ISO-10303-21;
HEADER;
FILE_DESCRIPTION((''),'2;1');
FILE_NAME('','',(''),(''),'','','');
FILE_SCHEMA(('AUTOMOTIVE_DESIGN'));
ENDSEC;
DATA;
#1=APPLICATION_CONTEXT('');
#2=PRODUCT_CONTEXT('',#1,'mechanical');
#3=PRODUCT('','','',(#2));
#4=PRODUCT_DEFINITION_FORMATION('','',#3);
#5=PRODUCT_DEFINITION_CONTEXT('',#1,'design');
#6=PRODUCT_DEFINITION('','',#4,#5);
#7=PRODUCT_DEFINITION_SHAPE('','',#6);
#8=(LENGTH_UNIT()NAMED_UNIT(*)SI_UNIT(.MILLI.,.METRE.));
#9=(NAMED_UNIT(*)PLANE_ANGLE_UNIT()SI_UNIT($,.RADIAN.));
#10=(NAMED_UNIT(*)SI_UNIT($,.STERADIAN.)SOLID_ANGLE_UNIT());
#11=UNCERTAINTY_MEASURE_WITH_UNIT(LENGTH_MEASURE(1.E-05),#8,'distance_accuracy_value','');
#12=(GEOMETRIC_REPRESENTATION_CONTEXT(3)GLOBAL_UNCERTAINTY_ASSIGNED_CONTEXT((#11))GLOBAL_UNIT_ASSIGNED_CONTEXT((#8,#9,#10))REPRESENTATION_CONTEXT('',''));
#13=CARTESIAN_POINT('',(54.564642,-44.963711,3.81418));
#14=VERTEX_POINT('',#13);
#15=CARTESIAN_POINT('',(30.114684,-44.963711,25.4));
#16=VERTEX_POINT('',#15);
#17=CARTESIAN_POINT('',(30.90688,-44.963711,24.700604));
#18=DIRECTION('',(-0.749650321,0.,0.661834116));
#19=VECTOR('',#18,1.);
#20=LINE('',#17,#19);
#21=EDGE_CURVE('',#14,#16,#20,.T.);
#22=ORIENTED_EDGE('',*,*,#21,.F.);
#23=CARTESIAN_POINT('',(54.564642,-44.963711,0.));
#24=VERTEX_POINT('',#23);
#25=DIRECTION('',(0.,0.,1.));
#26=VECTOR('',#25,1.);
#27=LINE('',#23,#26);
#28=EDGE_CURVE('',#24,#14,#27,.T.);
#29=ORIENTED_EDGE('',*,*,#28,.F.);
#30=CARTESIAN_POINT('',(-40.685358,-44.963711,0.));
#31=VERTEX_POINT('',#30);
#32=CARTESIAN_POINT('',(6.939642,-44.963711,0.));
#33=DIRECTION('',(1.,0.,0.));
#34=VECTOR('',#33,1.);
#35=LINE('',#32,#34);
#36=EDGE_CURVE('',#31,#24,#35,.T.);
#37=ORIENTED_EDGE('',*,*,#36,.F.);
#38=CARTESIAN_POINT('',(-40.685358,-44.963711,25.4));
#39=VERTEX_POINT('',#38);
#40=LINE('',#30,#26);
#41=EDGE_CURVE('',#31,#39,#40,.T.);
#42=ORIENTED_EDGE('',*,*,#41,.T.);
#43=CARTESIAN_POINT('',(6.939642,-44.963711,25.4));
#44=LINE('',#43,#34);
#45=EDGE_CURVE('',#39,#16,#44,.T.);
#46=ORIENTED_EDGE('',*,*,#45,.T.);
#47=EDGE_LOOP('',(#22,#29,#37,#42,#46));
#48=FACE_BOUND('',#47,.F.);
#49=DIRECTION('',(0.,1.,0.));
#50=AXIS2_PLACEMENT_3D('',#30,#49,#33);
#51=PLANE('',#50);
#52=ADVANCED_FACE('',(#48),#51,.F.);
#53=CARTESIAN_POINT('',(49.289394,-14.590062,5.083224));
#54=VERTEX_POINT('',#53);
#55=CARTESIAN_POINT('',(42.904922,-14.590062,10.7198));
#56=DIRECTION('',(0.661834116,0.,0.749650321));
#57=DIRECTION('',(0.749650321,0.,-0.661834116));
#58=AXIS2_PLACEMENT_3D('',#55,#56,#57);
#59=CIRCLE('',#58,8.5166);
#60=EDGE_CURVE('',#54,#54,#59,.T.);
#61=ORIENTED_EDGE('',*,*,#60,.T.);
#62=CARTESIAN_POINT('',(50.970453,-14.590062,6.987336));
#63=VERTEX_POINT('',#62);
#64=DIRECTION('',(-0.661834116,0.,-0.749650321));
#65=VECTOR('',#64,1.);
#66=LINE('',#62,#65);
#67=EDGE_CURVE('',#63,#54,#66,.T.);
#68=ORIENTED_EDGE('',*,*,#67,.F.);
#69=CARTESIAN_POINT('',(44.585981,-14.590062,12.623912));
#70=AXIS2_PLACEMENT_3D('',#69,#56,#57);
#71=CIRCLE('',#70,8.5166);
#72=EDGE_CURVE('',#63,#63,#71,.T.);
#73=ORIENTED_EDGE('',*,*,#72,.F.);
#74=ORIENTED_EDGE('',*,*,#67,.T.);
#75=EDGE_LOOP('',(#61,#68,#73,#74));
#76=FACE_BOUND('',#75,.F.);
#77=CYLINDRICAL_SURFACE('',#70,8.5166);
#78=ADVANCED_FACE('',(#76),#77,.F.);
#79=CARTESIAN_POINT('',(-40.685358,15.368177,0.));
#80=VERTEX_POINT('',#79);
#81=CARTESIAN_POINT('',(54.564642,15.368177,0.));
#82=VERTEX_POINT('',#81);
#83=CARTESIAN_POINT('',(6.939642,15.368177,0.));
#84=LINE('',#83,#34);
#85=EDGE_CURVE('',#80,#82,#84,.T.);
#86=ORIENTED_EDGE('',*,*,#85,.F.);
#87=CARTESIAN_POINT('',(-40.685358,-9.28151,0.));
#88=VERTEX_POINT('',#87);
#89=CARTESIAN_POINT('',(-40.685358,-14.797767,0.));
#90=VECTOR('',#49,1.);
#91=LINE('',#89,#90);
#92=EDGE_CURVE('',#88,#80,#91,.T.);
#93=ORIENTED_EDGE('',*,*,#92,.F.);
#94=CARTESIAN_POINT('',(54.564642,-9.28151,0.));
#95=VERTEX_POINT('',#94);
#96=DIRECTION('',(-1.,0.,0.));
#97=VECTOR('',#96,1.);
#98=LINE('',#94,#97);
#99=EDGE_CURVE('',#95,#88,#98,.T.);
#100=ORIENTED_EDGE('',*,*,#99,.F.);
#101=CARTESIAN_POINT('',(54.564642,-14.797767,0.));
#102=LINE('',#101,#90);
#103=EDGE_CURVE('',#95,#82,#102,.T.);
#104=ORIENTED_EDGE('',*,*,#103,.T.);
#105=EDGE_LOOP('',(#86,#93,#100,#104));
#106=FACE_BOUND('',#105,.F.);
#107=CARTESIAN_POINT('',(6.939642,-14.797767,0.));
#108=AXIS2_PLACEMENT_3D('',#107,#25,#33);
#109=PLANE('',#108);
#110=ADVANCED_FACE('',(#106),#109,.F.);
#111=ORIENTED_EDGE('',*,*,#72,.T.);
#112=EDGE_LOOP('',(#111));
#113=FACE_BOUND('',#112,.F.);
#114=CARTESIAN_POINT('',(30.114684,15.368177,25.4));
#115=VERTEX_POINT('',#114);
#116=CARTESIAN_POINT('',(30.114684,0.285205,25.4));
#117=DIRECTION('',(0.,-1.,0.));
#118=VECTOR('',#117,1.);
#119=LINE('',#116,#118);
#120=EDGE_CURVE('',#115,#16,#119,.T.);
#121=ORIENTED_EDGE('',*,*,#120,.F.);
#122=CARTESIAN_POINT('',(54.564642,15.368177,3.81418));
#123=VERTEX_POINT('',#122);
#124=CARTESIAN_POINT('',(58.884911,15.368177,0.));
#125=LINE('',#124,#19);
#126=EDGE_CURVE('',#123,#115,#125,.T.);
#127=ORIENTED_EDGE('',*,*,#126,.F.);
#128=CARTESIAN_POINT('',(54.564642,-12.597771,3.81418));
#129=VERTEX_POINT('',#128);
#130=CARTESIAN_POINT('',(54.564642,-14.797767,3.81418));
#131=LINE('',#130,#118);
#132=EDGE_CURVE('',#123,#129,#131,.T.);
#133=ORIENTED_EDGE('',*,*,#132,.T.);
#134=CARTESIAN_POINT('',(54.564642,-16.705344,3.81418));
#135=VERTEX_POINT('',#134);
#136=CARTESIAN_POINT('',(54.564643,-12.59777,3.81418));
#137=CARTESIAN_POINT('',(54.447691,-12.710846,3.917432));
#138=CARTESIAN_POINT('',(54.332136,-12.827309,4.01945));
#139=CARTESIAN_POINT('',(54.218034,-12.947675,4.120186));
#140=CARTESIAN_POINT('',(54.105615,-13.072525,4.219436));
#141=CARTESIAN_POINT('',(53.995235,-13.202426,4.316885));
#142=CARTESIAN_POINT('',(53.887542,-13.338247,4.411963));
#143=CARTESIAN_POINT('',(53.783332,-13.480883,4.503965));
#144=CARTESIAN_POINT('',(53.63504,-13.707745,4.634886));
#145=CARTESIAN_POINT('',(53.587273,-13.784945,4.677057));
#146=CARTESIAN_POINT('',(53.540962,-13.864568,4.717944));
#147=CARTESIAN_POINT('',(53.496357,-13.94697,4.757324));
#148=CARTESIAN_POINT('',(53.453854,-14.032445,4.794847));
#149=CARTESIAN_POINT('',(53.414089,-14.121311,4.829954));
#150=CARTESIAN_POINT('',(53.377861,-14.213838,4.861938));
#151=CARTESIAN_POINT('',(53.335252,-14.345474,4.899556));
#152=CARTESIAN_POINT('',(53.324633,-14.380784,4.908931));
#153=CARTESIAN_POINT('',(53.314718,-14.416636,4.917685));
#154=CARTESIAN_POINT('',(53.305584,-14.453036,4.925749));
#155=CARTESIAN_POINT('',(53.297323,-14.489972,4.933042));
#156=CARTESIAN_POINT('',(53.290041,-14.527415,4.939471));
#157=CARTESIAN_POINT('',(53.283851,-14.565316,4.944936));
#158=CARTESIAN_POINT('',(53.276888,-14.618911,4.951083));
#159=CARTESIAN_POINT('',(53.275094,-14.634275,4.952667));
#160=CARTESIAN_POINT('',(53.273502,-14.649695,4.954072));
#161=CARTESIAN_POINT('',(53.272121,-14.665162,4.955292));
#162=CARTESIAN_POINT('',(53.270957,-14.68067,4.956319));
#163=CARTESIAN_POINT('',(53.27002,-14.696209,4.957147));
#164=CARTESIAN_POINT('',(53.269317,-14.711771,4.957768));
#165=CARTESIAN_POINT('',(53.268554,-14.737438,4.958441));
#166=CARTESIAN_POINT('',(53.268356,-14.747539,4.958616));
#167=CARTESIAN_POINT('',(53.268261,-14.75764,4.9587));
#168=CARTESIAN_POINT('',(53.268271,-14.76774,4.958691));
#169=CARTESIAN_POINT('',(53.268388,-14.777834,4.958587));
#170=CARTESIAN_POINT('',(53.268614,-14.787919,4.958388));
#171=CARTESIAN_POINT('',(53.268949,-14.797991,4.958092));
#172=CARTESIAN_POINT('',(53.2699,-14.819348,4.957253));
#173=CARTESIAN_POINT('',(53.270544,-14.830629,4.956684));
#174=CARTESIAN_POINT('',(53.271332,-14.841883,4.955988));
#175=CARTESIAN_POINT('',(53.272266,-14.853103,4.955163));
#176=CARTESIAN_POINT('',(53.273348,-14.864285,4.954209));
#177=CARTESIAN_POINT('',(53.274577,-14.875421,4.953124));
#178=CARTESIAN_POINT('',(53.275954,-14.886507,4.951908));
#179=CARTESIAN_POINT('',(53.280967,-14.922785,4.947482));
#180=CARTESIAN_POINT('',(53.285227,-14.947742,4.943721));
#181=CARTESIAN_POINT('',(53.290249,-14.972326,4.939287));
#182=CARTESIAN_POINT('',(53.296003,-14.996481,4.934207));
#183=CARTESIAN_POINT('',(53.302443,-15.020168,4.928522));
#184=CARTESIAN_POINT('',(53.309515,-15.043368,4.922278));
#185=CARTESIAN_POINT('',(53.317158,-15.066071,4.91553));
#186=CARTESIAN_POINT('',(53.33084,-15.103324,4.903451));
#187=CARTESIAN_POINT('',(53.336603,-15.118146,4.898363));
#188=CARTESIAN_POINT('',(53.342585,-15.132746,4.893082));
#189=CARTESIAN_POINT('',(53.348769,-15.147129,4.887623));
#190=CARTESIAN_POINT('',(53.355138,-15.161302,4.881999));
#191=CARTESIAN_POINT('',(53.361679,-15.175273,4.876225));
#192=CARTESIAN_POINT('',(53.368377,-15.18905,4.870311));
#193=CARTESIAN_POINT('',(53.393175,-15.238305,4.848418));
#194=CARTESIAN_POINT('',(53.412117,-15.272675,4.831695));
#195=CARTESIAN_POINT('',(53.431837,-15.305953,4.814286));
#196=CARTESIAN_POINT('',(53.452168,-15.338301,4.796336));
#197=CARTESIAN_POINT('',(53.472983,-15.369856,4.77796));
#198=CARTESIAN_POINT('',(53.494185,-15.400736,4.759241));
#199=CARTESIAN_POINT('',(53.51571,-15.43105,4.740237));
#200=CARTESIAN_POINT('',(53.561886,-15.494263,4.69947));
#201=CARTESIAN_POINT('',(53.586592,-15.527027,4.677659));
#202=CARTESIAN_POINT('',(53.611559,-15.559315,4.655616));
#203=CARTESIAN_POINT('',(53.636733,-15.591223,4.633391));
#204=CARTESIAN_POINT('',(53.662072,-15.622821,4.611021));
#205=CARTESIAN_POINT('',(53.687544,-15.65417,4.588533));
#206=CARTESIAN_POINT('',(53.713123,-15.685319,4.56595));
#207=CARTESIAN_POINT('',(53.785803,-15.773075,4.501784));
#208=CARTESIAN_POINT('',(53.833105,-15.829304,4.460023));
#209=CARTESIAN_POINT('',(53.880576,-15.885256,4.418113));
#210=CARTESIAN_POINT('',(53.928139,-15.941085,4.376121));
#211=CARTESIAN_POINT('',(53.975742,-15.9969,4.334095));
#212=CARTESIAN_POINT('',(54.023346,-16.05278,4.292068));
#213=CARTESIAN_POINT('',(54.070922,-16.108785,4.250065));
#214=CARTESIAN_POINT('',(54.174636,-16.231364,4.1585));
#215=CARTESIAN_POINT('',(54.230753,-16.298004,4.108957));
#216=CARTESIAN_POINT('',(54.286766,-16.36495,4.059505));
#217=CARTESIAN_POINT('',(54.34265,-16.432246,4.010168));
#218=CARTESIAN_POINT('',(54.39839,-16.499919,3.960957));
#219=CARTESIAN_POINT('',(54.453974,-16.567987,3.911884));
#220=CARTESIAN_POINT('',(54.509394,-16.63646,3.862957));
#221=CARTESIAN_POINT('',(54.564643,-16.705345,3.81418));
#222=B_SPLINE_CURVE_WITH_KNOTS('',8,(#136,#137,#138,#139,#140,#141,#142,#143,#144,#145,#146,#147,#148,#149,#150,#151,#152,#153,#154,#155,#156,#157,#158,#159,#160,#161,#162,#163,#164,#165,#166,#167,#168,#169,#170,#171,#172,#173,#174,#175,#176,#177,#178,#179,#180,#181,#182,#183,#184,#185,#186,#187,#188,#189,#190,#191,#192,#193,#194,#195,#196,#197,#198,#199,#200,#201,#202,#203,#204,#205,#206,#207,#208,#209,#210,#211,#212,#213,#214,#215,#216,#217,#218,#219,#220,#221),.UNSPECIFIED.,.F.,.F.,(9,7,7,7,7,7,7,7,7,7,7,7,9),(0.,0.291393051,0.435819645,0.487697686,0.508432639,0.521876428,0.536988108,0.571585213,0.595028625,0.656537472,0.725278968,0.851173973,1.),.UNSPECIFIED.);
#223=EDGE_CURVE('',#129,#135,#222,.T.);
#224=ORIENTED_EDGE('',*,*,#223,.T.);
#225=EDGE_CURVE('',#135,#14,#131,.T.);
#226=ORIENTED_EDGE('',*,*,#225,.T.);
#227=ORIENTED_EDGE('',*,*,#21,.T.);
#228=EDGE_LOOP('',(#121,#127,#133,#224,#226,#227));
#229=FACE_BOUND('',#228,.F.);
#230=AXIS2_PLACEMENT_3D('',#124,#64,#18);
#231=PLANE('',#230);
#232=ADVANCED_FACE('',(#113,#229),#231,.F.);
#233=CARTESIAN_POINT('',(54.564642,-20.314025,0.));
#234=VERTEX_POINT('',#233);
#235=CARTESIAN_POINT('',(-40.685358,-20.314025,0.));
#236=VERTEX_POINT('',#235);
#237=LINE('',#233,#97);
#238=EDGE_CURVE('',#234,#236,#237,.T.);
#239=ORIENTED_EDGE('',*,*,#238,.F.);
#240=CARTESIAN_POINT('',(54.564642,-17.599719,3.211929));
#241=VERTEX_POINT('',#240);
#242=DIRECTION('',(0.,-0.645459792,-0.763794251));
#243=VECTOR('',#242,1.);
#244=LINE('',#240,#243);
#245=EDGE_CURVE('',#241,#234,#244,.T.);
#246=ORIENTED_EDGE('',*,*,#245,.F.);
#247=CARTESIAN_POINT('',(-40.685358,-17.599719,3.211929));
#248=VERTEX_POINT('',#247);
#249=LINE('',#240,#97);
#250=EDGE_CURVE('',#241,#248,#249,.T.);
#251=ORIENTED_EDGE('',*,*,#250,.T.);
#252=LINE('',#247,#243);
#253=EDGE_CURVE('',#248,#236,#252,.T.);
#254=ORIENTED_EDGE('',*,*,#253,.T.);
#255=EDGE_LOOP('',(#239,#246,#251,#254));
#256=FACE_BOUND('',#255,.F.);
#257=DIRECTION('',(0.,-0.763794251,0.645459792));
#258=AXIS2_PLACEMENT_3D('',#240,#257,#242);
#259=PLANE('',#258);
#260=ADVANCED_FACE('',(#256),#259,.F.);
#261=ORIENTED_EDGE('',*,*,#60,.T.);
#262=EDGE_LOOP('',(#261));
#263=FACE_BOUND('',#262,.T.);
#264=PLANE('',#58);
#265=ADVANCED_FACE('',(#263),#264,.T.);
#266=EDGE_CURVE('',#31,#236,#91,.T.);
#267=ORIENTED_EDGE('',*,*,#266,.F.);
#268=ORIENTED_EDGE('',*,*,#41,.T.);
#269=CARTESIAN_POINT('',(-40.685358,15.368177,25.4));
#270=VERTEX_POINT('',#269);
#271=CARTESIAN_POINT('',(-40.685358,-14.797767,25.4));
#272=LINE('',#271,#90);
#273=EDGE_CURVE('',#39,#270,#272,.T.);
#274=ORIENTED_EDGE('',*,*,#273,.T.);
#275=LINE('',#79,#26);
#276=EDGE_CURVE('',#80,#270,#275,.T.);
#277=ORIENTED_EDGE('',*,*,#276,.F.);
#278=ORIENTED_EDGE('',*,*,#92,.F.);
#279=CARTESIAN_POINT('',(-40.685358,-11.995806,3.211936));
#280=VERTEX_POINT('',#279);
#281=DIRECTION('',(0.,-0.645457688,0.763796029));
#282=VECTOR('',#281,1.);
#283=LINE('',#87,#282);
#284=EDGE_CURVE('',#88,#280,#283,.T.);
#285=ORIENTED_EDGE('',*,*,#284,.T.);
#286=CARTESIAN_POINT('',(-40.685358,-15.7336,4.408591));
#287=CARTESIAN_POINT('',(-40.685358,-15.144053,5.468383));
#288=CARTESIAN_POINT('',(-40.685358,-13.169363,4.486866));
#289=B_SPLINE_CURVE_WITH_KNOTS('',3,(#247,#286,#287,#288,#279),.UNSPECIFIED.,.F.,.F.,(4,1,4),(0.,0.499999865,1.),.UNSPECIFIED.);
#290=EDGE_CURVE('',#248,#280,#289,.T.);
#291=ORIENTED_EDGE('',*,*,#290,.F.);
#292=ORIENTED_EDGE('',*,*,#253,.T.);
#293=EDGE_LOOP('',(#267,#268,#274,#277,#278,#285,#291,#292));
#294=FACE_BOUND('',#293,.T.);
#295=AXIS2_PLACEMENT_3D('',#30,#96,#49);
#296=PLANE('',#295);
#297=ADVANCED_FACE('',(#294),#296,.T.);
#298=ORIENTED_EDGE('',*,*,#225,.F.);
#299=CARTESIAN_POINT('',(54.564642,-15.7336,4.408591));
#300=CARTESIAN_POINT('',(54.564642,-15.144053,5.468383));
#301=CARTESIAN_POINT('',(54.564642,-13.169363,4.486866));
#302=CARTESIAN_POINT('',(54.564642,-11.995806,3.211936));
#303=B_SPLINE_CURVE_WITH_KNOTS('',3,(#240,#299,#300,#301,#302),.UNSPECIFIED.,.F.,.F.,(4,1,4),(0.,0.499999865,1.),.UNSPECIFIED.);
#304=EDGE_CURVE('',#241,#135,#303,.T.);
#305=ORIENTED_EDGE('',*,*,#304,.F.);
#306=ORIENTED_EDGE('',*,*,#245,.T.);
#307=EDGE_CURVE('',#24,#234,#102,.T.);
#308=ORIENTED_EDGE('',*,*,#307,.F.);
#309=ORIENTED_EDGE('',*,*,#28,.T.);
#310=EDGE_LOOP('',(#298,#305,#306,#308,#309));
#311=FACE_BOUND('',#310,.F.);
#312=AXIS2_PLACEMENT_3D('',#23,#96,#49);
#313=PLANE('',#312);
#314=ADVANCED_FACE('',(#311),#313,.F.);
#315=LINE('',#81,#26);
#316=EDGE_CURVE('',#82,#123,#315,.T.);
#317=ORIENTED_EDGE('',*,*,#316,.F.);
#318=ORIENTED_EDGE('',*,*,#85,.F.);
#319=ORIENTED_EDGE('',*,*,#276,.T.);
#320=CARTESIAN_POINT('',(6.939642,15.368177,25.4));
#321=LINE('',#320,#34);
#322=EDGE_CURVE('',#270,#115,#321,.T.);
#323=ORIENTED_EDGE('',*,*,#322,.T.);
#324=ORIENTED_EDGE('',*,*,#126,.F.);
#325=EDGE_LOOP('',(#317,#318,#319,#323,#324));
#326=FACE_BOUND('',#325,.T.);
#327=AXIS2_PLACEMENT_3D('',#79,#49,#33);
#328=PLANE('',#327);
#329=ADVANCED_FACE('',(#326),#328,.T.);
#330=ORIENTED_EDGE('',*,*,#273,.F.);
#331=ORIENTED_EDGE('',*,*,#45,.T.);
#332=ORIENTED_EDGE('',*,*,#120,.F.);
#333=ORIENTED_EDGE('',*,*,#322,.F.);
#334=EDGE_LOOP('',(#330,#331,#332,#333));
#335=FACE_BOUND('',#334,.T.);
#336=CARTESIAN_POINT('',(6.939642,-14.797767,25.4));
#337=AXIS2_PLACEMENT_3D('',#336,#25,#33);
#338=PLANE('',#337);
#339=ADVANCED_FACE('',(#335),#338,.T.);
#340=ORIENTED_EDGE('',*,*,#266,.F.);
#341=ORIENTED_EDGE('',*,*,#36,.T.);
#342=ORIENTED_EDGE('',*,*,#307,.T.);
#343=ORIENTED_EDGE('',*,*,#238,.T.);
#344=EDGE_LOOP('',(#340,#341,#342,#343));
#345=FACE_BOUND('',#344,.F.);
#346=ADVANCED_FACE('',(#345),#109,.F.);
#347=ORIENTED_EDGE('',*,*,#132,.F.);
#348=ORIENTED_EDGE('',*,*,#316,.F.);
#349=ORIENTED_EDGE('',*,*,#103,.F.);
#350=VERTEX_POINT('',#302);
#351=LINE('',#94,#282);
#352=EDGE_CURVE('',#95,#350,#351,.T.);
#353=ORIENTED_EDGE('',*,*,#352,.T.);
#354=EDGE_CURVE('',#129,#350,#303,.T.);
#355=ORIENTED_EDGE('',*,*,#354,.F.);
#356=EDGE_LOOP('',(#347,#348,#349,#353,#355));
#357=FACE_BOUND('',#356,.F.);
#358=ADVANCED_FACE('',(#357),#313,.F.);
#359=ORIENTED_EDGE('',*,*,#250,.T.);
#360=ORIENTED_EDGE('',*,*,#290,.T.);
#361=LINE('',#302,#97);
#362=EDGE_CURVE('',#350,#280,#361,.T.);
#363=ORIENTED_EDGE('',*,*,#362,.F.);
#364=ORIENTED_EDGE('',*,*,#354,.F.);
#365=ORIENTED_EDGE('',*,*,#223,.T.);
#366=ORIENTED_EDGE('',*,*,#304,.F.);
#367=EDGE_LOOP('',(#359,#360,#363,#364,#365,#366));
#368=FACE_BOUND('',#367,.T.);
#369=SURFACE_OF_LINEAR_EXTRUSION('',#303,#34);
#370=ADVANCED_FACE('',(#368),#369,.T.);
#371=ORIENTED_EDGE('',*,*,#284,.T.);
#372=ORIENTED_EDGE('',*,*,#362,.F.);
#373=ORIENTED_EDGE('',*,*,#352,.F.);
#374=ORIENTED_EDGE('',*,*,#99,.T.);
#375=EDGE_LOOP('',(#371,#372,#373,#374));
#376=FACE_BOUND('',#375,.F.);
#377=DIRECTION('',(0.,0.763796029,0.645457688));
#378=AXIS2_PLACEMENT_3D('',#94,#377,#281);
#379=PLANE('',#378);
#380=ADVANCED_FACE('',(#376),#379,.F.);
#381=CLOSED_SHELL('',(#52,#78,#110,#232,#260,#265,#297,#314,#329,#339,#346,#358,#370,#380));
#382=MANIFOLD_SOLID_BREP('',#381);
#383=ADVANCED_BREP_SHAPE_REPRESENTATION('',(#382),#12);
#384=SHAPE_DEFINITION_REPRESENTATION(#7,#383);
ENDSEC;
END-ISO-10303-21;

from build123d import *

# Parameters (mm, degrees)
F0_W     = 95.25
F0_H     = 60.3318884472
F1_DEPTH = 25.4
F3_DEPTH = 95.25
F5_DEPTH = 95.25
F6_R     = 8.5166000229
F7_DEPTH = 2.54


with BuildPart() as f1:
    # F0 (on Top) → F1 (new body)
    with BuildSketch(Plane.XY):
        with Locations((6.9396421313, -14.7977671586)):
            Rectangle(F0_W, F0_H)
    extrude(amount=F1_DEPTH)

    # F2 (on face) → F3 (cut)
    with BuildSketch(Plane.YZ.offset(54.5646421313)):
        with BuildLine():
            Line((-17.5997193688, 3.2119287359), (-20.3140247613, 0))
            Line((-20.3140247613, 0), (-14.7977671586, 0))
            Line((-14.7977671586, 0), (-9.2815095559, 0))
            Line((-9.2815095559, 0), (-11.9958061003, 3.2119362131))
            add(Edge.make_bspline(
                [(-17.5997193688, 3.2119287359), (-15.7335996163, 4.4085908758), (-15.1440525404, 5.4683826364), (-13.1693625568, 4.4868656847), (-11.9958061003, 3.2119362131)],
                knots=[0, 0, 0, 0, 0.4999998654, 1, 1, 1, 1], degree=3))
        make_face()
    extrude(amount=-F3_DEPTH, mode=Mode.SUBTRACT)

    # F4 (on face) → F5 (cut)
    with BuildSketch(Plane(origin=(0, 15.368177065, 0), x_dir=(-1, 0, 0), z_dir=(0, 1, 0))):
        Polygon((-60.7218779624, 31.5345525742), (-58.8849112391, 0), (-23.1661610305, 31.5345525742), align=None)
    extrude(amount=-F5_DEPTH, mode=Mode.SUBTRACT)

    # F6 (on face) → F7 (cut)
    with BuildSketch(Plane(origin=(25.7930277101, 0, 29.2154046497), x_dir=(0.7496503208, 0, -0.6618341156), z_dir=(0.6618341156, 0, 0.7496503208))):
        with Locations((25.0689592212, -14.590062201)):
            Circle(F6_R)
    extrude(amount=-F7_DEPTH, mode=Mode.SUBTRACT)


solid = f1.part
